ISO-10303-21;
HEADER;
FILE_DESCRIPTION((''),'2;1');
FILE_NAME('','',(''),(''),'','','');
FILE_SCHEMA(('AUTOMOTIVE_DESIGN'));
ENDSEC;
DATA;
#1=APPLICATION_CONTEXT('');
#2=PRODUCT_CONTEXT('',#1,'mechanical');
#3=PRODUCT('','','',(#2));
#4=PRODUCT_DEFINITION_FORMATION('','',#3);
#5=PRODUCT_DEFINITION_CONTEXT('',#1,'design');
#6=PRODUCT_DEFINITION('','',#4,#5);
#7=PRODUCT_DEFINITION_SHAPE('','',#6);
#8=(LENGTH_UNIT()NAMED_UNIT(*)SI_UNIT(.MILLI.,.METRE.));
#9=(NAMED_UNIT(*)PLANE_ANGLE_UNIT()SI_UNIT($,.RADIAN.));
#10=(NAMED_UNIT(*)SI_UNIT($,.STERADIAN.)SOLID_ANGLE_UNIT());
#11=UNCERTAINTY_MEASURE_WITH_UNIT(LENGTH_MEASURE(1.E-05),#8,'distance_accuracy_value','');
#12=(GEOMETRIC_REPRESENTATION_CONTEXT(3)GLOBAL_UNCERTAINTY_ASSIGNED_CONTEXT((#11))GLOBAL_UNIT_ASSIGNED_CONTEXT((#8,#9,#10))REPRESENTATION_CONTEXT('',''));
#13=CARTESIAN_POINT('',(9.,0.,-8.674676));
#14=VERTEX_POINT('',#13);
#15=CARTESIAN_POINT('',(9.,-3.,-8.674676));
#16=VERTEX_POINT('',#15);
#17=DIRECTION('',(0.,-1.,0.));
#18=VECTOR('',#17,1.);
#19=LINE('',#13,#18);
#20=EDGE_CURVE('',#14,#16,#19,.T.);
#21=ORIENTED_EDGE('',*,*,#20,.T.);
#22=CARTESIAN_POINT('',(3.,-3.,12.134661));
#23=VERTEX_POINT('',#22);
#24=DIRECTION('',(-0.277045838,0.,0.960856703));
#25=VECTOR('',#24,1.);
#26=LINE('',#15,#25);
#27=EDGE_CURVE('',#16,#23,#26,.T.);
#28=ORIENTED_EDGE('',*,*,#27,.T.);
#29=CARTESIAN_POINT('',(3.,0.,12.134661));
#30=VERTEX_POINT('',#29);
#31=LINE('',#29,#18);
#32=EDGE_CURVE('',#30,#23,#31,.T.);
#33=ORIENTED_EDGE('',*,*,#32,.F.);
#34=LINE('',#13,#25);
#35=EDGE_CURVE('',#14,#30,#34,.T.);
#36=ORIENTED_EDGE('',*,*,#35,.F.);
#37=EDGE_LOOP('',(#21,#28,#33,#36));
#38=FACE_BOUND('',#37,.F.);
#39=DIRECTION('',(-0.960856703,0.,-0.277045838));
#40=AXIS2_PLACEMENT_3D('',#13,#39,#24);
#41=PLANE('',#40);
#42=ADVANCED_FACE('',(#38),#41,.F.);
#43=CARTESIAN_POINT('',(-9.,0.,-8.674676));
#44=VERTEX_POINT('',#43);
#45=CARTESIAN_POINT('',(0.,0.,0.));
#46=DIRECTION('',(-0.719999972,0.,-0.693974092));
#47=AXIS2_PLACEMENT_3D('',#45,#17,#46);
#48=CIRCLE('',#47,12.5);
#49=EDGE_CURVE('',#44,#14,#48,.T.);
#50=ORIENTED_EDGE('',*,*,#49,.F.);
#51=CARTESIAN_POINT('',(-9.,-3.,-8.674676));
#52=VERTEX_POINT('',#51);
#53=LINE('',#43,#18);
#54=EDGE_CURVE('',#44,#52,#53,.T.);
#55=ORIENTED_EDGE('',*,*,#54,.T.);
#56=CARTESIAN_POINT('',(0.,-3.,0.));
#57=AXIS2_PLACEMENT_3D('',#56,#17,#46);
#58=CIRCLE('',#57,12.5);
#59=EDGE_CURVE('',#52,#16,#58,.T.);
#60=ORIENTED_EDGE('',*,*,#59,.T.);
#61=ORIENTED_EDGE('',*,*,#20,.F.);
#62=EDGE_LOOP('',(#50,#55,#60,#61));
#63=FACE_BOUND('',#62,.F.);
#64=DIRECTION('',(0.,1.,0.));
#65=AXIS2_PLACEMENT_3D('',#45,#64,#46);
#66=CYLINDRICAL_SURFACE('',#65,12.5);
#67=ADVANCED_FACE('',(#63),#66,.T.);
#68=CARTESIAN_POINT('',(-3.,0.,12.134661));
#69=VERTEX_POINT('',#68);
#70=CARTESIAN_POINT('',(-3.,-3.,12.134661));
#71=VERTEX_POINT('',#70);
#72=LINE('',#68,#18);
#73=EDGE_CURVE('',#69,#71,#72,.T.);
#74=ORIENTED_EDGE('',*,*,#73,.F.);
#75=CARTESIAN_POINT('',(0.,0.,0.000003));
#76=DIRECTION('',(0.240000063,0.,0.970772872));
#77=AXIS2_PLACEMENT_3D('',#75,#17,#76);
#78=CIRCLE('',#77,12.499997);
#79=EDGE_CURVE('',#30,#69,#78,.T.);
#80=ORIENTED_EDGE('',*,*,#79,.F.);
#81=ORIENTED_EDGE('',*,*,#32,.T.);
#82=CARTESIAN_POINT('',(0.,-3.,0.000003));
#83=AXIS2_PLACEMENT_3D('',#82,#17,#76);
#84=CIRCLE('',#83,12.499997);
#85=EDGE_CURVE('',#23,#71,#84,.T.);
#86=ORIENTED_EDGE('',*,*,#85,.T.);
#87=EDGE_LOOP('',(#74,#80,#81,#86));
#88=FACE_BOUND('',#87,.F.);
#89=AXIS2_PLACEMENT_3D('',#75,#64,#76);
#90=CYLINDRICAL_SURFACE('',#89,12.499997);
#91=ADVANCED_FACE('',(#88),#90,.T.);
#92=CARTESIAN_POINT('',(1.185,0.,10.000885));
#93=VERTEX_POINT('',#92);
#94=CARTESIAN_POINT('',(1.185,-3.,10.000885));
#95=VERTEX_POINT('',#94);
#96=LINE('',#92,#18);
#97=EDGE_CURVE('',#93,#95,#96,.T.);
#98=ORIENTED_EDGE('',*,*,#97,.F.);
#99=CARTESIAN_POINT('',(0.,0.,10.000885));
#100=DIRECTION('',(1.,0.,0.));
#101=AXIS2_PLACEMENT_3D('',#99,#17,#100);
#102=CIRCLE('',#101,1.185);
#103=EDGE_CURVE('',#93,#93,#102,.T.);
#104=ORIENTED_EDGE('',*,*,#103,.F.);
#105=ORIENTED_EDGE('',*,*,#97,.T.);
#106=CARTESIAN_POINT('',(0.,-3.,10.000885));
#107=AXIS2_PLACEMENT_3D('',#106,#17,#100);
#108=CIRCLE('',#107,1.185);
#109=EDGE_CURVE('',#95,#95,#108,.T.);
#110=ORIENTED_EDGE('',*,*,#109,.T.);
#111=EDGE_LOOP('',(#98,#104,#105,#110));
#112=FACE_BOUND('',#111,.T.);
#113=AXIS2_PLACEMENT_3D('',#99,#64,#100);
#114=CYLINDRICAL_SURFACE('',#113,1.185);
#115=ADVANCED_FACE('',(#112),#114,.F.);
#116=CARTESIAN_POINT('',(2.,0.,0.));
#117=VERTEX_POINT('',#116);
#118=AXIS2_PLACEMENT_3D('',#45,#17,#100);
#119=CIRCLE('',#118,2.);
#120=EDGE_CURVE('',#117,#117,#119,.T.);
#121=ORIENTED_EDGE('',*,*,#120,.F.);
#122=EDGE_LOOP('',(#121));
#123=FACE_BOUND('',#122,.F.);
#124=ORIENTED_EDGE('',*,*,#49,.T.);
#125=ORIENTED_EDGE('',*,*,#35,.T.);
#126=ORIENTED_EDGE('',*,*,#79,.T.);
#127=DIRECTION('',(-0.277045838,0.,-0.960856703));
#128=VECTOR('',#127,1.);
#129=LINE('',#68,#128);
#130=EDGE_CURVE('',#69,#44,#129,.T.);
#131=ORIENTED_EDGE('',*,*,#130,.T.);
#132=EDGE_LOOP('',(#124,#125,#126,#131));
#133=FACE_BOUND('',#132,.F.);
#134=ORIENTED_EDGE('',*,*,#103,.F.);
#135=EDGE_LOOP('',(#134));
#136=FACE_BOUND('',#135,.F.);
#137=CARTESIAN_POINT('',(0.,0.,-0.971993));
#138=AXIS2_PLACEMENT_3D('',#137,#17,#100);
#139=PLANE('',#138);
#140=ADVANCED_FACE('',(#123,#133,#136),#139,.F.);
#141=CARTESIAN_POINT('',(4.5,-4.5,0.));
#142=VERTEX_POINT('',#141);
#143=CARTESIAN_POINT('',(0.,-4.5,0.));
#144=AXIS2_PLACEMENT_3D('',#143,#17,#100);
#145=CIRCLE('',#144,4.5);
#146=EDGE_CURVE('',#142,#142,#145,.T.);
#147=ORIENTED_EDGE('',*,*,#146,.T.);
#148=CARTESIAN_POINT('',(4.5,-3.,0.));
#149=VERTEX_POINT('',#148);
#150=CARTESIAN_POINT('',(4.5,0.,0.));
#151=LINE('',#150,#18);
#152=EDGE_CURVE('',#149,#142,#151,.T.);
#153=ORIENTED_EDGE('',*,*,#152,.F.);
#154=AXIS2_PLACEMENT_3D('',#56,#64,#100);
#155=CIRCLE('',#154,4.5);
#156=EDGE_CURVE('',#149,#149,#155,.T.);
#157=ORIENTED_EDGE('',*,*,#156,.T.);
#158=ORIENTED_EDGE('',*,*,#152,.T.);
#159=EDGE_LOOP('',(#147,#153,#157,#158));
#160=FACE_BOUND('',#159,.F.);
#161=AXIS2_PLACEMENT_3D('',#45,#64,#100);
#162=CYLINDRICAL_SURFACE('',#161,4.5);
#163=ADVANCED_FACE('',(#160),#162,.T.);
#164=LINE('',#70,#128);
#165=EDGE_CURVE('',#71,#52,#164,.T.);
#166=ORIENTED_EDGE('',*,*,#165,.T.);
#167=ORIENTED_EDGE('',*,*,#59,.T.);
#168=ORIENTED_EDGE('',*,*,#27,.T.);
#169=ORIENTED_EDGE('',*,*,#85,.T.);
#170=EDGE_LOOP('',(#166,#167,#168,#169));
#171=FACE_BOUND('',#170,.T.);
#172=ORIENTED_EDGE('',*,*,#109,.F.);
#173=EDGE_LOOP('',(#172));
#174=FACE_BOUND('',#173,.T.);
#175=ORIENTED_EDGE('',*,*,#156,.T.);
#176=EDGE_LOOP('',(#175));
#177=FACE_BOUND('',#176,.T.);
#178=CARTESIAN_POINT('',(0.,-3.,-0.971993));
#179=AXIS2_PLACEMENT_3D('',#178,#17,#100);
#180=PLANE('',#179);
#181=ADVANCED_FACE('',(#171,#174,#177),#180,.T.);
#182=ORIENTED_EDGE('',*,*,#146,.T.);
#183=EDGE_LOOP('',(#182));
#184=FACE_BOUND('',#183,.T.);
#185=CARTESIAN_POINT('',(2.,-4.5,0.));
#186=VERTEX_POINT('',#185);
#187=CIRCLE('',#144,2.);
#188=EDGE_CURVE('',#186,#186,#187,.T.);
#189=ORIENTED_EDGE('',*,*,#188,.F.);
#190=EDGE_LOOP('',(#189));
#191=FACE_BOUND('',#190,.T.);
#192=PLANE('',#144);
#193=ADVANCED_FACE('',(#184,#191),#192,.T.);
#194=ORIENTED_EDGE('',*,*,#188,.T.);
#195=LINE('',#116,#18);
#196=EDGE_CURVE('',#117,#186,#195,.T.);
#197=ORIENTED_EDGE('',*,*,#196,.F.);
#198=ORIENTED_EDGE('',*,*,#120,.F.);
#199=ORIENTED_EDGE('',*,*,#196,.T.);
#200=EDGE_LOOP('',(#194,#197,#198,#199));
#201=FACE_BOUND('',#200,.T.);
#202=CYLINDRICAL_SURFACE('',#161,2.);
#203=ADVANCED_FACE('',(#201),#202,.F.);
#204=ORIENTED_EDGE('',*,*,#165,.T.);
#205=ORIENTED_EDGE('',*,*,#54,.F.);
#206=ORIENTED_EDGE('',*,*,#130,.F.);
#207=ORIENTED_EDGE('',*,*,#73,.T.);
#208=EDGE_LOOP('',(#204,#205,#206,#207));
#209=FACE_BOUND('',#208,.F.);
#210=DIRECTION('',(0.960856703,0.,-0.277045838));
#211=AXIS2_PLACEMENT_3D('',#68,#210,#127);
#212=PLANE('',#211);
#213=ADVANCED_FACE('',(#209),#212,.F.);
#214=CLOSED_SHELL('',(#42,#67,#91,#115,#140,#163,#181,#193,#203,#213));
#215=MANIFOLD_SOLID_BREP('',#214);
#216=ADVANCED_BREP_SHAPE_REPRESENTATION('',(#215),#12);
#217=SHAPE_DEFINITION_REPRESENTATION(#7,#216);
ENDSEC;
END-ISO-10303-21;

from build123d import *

# Parameters (mm, degrees)
F0_R     = 4.5
F0_R_2   = 1.185
F0_R_3   = 2
F1_DEPTH = 3
F2_DEPTH = 4.5


with BuildPart() as f1:
    # F0 (on Front) → F1 (new body)
    with BuildSketch(Plane.XZ):
        with BuildLine():
            Line((9, -8.674676), (3, 12.134661))
            ThreePointArc((3, 12.134661), (0, 12.5), (-3, 12.134661))
            Line((-3, 12.134661), (-9, -8.674676))
            ThreePointArc((-9, -8.674676), (0, -12.5), (9, -8.674676))
        make_face()
        Circle(F0_R, mode=Mode.SUBTRACT)
        with Locations((0, 10.000885)):
            Circle(F0_R_2, mode=Mode.SUBTRACT)
        Circle(F0_R)
        Circle(F0_R_3, mode=Mode.SUBTRACT)
    extrude(amount=F1_DEPTH)

    # F0 (on Front) → F2 (join)
    with BuildSketch(Plane.XZ):
        Circle(F0_R)
        Circle(F0_R_3, mode=Mode.SUBTRACT)
    extrude(amount=F2_DEPTH)


solid = f1.part
